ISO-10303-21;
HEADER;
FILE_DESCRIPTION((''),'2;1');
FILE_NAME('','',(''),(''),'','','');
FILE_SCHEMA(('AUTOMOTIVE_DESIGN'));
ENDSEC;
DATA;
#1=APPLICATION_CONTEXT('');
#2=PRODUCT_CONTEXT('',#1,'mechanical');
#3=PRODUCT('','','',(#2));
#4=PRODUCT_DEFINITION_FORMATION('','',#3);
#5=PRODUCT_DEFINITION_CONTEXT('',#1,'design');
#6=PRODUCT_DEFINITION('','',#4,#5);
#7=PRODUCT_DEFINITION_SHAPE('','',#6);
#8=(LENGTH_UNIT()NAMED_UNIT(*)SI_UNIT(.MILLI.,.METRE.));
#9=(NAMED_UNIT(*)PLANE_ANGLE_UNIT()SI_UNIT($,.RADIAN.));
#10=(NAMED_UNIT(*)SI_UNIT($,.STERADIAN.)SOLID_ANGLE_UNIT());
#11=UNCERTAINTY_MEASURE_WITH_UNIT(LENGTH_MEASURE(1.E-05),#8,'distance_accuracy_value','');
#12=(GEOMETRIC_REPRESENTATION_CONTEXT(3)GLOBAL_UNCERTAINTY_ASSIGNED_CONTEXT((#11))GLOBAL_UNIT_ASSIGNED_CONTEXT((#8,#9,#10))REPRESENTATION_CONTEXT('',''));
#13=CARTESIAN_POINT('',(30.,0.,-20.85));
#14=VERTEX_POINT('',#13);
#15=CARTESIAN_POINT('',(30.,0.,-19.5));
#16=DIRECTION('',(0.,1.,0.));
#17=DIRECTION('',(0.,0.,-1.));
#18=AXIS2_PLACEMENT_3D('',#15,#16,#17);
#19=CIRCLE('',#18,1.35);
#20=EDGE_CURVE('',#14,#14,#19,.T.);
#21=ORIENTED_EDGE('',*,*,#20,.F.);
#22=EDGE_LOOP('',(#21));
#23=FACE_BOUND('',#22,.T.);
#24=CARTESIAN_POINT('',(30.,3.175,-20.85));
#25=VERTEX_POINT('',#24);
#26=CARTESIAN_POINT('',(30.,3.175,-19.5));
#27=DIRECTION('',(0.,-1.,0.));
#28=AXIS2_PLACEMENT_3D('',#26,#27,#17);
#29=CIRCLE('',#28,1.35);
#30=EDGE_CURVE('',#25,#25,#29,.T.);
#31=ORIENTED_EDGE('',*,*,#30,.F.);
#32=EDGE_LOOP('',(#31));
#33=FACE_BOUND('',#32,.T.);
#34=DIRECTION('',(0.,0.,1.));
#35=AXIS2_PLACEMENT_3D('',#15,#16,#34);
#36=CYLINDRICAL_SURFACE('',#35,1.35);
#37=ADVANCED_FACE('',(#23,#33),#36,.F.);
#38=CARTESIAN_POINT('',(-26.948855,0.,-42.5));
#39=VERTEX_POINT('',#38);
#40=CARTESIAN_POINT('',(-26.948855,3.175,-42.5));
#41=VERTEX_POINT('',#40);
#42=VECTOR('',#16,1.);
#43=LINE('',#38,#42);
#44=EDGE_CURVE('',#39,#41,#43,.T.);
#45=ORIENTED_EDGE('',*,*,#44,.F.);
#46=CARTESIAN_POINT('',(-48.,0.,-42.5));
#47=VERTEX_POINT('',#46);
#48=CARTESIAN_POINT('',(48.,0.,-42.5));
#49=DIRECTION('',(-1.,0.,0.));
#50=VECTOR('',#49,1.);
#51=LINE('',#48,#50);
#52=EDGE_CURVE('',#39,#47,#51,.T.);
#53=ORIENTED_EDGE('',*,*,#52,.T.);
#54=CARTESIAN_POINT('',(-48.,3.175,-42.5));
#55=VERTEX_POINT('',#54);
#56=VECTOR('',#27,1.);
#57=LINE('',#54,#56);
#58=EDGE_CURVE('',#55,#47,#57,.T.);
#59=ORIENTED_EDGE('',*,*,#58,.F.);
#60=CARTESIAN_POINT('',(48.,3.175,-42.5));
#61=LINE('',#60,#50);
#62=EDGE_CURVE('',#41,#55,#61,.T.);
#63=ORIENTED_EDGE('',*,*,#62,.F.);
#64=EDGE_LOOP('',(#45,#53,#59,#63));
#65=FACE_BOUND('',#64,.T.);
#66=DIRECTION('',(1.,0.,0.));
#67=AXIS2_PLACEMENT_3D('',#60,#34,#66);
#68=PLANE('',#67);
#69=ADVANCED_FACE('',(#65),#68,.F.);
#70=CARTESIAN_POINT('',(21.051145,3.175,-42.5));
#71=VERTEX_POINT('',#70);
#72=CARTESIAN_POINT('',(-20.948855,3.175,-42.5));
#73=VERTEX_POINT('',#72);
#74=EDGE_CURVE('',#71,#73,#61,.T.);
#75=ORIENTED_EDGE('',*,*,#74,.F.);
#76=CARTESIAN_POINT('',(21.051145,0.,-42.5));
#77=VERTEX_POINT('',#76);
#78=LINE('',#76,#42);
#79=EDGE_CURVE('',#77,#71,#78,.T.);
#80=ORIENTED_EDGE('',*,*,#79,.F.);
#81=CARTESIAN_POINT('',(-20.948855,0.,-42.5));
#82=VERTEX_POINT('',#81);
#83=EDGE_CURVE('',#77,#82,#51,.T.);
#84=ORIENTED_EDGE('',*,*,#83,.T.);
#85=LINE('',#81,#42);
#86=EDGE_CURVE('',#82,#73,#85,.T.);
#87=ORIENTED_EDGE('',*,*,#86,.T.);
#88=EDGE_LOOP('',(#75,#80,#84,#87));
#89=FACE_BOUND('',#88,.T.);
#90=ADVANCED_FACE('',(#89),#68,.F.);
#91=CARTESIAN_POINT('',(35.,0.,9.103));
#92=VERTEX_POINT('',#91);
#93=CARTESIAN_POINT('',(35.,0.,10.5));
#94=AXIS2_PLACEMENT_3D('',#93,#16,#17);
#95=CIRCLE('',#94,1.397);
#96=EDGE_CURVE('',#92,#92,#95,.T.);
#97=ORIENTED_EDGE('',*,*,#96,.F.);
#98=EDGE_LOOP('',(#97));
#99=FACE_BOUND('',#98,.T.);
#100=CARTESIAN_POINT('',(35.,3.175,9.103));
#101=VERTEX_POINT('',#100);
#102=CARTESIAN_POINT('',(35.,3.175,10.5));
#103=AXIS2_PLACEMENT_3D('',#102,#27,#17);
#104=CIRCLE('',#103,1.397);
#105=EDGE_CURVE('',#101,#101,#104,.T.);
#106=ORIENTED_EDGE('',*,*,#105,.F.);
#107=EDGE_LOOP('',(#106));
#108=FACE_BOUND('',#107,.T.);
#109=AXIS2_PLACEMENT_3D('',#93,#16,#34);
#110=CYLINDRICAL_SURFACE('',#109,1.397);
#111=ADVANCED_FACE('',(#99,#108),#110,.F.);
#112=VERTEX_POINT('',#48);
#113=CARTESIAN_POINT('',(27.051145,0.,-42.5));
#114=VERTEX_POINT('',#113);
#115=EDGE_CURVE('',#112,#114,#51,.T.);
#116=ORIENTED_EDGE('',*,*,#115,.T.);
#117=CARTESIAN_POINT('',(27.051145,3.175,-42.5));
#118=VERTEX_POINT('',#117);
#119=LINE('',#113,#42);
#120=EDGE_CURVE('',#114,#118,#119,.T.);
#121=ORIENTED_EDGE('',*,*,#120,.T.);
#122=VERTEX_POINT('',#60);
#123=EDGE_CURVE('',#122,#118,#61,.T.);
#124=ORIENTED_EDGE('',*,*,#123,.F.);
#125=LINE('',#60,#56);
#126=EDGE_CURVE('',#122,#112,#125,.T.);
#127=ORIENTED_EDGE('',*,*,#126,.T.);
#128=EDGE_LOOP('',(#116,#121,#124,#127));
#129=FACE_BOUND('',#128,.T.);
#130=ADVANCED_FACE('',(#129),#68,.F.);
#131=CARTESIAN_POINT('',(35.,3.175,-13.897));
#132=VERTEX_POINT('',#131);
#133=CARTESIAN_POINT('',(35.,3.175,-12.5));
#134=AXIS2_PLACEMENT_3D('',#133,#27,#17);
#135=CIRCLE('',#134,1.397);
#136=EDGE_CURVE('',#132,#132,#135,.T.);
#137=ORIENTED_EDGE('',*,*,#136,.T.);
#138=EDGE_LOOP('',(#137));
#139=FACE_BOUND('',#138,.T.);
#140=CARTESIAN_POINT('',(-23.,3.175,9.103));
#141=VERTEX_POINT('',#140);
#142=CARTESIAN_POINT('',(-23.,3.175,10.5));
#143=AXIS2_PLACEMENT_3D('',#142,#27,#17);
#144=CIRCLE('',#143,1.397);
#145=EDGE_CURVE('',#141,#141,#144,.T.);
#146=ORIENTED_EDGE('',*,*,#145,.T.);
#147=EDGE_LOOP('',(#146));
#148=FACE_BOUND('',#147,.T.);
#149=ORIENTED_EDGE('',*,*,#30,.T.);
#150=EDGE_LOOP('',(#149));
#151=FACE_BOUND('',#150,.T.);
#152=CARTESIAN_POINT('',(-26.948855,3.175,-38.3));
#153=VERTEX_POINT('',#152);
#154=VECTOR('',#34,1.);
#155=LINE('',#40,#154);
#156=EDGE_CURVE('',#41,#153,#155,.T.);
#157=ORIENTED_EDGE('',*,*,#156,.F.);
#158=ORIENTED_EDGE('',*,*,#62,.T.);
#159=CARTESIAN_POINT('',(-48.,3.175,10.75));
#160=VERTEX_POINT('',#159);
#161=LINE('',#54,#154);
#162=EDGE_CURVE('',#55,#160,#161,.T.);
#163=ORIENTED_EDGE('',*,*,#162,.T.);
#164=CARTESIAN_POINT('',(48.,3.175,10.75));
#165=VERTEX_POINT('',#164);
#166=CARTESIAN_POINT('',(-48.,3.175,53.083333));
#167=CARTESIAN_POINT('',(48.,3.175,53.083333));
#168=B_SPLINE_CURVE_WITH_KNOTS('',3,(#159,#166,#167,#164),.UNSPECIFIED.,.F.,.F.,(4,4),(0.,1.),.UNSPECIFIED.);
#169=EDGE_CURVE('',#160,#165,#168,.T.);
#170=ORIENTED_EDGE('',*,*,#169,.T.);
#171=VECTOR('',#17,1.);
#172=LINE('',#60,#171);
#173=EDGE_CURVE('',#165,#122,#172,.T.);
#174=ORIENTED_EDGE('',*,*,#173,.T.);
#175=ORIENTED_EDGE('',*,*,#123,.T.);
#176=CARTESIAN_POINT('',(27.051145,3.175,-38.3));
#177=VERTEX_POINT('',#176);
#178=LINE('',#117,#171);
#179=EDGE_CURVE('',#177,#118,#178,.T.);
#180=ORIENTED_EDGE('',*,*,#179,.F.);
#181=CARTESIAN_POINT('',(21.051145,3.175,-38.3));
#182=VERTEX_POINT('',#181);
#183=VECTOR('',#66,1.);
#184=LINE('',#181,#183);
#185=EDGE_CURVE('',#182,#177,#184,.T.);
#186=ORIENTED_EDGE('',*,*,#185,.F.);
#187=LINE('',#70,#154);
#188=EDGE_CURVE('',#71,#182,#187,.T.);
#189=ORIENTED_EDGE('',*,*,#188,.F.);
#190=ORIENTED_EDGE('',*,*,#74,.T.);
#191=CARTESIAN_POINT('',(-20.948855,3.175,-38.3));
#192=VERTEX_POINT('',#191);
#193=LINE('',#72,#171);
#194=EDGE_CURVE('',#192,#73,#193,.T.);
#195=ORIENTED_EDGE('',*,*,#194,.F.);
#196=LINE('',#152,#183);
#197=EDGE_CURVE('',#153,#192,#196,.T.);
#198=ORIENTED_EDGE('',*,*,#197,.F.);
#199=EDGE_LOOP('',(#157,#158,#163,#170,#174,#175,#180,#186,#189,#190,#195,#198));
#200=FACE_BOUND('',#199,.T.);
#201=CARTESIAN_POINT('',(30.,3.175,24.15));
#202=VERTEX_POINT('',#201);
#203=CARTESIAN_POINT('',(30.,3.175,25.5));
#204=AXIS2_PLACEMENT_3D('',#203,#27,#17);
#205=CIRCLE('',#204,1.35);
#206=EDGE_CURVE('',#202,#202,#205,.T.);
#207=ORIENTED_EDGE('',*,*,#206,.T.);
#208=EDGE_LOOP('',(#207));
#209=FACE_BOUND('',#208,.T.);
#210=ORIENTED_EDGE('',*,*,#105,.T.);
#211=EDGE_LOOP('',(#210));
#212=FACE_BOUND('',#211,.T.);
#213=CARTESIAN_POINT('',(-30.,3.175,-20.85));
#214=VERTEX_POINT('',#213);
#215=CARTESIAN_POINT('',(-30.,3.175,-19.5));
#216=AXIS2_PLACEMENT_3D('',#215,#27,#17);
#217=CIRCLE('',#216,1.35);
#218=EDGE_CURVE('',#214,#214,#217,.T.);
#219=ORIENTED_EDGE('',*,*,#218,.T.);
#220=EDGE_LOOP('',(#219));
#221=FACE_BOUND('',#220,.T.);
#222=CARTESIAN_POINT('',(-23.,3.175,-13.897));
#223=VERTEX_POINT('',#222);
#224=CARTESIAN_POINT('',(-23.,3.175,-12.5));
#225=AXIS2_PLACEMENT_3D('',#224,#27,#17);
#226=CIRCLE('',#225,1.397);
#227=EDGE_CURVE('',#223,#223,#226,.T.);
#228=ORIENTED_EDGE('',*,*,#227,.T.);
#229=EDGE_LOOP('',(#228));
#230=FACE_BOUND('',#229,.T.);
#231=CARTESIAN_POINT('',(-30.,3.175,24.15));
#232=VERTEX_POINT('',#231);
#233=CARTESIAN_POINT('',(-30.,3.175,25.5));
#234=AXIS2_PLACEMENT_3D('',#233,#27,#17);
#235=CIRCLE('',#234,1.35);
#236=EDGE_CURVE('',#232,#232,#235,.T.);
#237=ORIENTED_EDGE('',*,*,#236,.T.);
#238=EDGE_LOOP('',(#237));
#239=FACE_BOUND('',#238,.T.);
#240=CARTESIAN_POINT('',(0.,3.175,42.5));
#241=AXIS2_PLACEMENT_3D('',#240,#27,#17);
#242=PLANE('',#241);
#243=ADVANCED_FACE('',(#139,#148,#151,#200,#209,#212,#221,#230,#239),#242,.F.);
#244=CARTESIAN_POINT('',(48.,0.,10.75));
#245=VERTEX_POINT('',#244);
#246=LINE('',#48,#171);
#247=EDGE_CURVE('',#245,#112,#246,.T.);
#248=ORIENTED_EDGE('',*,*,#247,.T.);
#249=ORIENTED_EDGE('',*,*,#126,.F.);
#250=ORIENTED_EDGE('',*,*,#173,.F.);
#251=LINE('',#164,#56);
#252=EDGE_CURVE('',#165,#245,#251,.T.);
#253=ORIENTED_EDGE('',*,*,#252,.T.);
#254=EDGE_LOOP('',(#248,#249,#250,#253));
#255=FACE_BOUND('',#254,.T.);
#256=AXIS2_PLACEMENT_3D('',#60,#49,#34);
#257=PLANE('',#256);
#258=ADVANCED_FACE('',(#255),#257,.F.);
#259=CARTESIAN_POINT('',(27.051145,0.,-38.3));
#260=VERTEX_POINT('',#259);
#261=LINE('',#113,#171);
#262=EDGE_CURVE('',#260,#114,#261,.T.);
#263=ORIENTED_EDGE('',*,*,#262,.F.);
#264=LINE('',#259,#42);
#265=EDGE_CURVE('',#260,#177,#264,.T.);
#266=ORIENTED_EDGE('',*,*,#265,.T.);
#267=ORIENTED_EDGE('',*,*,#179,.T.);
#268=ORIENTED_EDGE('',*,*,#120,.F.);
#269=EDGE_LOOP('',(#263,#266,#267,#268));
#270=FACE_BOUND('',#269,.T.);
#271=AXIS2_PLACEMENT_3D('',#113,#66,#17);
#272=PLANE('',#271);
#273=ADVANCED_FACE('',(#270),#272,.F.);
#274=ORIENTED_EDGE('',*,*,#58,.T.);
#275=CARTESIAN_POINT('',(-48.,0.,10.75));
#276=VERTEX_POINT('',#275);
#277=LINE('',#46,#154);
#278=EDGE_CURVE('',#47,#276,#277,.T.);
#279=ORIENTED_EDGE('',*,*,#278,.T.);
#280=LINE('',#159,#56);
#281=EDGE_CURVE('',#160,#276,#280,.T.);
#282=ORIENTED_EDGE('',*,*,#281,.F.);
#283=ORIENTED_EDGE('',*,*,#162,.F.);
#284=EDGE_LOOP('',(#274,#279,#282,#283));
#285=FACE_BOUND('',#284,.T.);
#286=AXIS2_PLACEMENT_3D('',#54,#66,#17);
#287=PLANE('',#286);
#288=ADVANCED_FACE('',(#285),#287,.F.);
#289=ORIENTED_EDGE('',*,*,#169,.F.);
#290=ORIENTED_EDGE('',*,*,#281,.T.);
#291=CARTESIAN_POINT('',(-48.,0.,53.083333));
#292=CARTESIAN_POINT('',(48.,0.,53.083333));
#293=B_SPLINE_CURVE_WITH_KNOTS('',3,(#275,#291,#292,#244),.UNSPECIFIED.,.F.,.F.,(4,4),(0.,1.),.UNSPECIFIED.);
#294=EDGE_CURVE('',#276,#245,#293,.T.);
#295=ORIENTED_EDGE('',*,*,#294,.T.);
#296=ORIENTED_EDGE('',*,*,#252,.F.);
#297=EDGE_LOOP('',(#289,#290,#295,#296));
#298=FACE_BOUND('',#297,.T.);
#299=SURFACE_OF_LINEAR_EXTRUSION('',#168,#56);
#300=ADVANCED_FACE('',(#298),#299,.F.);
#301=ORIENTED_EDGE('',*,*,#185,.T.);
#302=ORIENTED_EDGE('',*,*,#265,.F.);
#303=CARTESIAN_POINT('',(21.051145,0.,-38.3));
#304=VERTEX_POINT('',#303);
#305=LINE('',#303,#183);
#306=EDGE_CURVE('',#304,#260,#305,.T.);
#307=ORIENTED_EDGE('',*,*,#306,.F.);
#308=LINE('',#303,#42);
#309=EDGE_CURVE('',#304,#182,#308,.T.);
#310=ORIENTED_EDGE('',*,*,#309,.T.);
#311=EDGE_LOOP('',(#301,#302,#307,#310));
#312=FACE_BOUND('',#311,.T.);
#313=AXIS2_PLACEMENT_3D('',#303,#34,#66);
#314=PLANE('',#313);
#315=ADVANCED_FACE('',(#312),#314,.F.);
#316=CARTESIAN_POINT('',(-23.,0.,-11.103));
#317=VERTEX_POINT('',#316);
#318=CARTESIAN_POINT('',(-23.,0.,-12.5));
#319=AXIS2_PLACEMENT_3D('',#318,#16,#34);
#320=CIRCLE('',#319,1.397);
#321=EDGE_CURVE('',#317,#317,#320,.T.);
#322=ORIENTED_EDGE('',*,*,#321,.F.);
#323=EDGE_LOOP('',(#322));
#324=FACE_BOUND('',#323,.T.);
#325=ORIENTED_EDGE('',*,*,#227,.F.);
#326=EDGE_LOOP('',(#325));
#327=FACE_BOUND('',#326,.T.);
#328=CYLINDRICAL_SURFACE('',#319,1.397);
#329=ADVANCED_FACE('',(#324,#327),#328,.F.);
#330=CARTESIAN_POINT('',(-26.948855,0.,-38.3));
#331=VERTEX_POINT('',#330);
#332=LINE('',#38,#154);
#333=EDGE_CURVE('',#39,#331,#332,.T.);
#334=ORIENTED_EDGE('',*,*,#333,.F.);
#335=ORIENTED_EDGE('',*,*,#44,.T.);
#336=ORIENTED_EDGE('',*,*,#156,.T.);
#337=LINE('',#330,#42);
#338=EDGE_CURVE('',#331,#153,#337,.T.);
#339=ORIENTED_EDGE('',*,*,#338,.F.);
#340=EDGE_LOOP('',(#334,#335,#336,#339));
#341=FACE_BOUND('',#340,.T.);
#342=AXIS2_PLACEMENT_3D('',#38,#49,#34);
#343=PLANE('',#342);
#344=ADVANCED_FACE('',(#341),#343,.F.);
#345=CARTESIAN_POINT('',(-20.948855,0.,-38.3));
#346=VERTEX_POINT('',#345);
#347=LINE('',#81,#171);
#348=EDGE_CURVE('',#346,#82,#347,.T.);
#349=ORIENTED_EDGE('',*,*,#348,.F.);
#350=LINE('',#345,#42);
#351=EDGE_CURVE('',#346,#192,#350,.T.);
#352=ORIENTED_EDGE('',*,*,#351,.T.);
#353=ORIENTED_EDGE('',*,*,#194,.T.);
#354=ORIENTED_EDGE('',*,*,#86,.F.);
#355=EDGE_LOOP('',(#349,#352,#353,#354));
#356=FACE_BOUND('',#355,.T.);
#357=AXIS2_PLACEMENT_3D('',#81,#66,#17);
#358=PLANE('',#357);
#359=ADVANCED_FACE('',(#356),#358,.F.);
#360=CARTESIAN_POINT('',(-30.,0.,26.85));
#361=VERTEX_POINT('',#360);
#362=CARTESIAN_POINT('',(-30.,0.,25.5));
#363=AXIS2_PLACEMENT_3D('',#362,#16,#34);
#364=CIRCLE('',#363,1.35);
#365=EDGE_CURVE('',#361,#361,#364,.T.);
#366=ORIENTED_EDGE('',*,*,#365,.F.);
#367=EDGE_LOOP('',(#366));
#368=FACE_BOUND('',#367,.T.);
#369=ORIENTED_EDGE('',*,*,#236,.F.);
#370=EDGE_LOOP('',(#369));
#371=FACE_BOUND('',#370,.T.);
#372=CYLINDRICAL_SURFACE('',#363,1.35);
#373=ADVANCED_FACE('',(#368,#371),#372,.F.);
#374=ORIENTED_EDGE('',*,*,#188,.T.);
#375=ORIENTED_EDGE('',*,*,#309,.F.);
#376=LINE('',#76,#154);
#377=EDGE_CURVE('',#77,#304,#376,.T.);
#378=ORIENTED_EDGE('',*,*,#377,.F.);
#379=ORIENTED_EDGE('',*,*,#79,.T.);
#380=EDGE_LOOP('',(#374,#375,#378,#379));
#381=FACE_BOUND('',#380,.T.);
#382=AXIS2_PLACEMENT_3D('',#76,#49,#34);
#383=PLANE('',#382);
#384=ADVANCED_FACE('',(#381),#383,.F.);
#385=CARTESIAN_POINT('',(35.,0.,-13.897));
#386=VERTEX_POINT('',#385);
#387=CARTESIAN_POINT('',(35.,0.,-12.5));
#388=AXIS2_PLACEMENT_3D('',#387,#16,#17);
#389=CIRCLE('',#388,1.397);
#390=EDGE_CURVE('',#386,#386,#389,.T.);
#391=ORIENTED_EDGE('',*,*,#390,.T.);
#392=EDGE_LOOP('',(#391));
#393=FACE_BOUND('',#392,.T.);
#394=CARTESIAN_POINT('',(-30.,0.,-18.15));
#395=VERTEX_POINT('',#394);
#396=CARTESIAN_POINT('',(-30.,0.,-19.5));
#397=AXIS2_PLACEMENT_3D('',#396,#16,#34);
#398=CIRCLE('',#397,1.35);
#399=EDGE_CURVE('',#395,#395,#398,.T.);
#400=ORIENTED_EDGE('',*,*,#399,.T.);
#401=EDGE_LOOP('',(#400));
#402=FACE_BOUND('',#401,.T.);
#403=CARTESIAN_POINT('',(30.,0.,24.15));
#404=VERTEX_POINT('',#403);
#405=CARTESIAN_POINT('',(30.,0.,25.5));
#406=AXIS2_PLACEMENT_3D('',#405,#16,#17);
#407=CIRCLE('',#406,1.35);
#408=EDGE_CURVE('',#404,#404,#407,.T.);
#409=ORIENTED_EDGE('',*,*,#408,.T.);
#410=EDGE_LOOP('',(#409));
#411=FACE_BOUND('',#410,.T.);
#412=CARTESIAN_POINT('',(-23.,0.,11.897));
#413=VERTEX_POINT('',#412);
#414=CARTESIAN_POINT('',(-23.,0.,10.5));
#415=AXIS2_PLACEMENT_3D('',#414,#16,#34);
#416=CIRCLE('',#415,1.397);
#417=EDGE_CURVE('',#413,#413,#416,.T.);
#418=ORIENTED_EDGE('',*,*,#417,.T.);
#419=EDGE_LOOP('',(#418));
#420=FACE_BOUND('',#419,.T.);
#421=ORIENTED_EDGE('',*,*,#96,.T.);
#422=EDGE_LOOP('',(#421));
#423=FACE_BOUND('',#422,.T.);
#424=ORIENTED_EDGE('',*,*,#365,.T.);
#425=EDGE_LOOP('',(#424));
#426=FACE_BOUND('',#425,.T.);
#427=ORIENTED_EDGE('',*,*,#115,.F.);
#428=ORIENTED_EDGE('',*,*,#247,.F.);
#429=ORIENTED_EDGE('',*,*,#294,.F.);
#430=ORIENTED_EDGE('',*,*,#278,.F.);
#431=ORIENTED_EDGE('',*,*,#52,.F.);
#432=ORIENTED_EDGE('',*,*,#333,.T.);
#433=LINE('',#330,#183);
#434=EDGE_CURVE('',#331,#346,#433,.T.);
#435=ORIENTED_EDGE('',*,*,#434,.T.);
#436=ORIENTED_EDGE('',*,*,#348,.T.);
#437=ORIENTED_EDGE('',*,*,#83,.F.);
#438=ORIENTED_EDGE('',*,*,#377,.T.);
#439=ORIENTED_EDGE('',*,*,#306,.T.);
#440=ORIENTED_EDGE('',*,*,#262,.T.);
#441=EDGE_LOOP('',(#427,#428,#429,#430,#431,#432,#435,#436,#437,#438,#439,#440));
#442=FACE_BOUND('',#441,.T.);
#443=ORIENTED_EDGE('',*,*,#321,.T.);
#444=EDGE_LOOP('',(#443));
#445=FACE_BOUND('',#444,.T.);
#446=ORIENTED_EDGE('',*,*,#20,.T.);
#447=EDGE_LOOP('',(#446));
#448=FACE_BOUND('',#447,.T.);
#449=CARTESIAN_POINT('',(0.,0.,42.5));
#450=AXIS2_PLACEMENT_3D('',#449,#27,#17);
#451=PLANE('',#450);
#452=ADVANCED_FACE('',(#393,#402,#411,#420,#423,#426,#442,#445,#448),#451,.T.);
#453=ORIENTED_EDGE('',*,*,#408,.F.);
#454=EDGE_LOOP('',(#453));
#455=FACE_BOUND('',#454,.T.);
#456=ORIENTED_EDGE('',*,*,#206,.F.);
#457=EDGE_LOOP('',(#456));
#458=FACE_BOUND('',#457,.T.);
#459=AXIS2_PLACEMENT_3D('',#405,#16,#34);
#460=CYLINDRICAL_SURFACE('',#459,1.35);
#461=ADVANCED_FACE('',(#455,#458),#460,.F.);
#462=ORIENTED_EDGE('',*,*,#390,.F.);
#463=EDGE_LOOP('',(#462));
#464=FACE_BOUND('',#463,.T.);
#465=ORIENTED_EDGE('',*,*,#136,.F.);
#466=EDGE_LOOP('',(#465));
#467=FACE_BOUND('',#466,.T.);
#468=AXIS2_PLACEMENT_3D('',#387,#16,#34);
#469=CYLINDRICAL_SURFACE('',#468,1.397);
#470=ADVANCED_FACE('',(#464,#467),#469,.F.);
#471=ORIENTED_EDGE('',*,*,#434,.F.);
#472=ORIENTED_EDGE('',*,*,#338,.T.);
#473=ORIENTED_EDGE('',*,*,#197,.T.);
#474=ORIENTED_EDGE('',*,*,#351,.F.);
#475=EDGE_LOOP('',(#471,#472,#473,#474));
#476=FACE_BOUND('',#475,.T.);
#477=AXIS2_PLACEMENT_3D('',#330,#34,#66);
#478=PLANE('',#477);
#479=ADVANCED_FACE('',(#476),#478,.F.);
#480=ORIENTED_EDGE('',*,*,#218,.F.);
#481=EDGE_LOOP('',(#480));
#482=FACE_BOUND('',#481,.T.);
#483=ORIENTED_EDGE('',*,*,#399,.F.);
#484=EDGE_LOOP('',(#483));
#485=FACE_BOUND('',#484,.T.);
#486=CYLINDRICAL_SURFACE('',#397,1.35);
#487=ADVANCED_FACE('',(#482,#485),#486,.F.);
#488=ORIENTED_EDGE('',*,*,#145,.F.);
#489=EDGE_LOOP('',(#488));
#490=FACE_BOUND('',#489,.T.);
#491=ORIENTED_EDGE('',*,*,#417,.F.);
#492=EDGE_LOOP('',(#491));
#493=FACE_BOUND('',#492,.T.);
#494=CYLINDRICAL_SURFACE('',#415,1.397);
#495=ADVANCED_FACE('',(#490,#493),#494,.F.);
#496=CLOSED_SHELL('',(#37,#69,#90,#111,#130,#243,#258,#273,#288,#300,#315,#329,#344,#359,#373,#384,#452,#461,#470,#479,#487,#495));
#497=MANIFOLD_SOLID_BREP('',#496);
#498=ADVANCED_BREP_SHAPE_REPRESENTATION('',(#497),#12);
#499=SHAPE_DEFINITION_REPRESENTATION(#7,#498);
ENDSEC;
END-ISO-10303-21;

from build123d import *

# Parameters (mm, degrees)
BOSS_EXTRUDE1_DEPTH     = 3.175
CUT_EXTRUDE1_DEPTH      = 65.189801711
CUT_EXTRUDE1_DEPTH_BACK = 65.189801711
SKETCH3_R               = 1.35
SKETCH3_R_2             = 1.397
SKETCH5_W               = 6
SKETCH5_H               = 4.2
CUT_EXTRUDE2_DEPTH      = 65.189801711


with BuildPart() as part:
    # Sketch2 → Boss-Extrude1 (new body)
    with BuildSketch(Plane(origin=(0, 0, 0), x_dir=(1, 0, 0), z_dir=(0, 1, 0))):
        with BuildLine():
            Line((48, 42.5), (-48, 42.5))
            Line((-48, 42.5), (-48, -10.75))
            add(Edge.make_bspline(
                [(-48, -10.75), (-48, -53.083333333), (48, -53.083333333), (48, -10.75)],
                knots=[0, 0, 0, 0, 1, 1, 1, 1], degree=3))
            Line((48, -10.75), (48, 42.5))
        make_face()
    extrude(amount=BOSS_EXTRUDE1_DEPTH)

    # Sketch3 → Cut-Extrude1 (cut, two sides: drawn at the far end of the back side and taken through both)
    with BuildSketch(Plane(origin=(0, 3.175, 0), x_dir=(1, 0, 0), z_dir=(0, 1, 0)).offset(-CUT_EXTRUDE1_DEPTH_BACK)):
        with Locations(Location((-30, 19.5, 0), (0, 0, 270))):
            Circle(SKETCH3_R)
        with Locations(Location((-30, -25.5, 0), (0, 0, 270))):
            Circle(SKETCH3_R)
        with Locations(Location((30, -25.5, 0), (0, 0, 90))):
            Circle(SKETCH3_R)
        with Locations(Location((30, 19.5, 0), (0, 0, 90))):
            Circle(SKETCH3_R)
        with Locations(Location((-23, 12.5, 0), (0, 0, 270))):
            Circle(SKETCH3_R_2)
        with Locations(Location((-23, -10.5, 0), (0, 0, 270))):
            Circle(SKETCH3_R_2)
        with Locations(Location((35, -10.5, 0), (0, 0, 90))):
            Circle(SKETCH3_R_2)
        with Locations(Location((35, 12.5, 0), (0, 0, 90))):
            Circle(SKETCH3_R_2)
    extrude(amount=CUT_EXTRUDE1_DEPTH + CUT_EXTRUDE1_DEPTH_BACK, mode=Mode.SUBTRACT)

    # Sketch5 → Cut-Extrude2 (cut, through all)
    with BuildSketch(Plane(origin=(0, 3.175, 0), x_dir=(1, 0, 0), z_dir=(0, 1, 0))):
        with Locations((24.051144599, 40.4)):
            Rectangle(SKETCH5_W, SKETCH5_H)
        with Locations((-23.948855401, 40.4)):
            Rectangle(SKETCH5_W, SKETCH5_H)
    extrude(amount=-CUT_EXTRUDE2_DEPTH, mode=Mode.SUBTRACT)


solid = part.part
